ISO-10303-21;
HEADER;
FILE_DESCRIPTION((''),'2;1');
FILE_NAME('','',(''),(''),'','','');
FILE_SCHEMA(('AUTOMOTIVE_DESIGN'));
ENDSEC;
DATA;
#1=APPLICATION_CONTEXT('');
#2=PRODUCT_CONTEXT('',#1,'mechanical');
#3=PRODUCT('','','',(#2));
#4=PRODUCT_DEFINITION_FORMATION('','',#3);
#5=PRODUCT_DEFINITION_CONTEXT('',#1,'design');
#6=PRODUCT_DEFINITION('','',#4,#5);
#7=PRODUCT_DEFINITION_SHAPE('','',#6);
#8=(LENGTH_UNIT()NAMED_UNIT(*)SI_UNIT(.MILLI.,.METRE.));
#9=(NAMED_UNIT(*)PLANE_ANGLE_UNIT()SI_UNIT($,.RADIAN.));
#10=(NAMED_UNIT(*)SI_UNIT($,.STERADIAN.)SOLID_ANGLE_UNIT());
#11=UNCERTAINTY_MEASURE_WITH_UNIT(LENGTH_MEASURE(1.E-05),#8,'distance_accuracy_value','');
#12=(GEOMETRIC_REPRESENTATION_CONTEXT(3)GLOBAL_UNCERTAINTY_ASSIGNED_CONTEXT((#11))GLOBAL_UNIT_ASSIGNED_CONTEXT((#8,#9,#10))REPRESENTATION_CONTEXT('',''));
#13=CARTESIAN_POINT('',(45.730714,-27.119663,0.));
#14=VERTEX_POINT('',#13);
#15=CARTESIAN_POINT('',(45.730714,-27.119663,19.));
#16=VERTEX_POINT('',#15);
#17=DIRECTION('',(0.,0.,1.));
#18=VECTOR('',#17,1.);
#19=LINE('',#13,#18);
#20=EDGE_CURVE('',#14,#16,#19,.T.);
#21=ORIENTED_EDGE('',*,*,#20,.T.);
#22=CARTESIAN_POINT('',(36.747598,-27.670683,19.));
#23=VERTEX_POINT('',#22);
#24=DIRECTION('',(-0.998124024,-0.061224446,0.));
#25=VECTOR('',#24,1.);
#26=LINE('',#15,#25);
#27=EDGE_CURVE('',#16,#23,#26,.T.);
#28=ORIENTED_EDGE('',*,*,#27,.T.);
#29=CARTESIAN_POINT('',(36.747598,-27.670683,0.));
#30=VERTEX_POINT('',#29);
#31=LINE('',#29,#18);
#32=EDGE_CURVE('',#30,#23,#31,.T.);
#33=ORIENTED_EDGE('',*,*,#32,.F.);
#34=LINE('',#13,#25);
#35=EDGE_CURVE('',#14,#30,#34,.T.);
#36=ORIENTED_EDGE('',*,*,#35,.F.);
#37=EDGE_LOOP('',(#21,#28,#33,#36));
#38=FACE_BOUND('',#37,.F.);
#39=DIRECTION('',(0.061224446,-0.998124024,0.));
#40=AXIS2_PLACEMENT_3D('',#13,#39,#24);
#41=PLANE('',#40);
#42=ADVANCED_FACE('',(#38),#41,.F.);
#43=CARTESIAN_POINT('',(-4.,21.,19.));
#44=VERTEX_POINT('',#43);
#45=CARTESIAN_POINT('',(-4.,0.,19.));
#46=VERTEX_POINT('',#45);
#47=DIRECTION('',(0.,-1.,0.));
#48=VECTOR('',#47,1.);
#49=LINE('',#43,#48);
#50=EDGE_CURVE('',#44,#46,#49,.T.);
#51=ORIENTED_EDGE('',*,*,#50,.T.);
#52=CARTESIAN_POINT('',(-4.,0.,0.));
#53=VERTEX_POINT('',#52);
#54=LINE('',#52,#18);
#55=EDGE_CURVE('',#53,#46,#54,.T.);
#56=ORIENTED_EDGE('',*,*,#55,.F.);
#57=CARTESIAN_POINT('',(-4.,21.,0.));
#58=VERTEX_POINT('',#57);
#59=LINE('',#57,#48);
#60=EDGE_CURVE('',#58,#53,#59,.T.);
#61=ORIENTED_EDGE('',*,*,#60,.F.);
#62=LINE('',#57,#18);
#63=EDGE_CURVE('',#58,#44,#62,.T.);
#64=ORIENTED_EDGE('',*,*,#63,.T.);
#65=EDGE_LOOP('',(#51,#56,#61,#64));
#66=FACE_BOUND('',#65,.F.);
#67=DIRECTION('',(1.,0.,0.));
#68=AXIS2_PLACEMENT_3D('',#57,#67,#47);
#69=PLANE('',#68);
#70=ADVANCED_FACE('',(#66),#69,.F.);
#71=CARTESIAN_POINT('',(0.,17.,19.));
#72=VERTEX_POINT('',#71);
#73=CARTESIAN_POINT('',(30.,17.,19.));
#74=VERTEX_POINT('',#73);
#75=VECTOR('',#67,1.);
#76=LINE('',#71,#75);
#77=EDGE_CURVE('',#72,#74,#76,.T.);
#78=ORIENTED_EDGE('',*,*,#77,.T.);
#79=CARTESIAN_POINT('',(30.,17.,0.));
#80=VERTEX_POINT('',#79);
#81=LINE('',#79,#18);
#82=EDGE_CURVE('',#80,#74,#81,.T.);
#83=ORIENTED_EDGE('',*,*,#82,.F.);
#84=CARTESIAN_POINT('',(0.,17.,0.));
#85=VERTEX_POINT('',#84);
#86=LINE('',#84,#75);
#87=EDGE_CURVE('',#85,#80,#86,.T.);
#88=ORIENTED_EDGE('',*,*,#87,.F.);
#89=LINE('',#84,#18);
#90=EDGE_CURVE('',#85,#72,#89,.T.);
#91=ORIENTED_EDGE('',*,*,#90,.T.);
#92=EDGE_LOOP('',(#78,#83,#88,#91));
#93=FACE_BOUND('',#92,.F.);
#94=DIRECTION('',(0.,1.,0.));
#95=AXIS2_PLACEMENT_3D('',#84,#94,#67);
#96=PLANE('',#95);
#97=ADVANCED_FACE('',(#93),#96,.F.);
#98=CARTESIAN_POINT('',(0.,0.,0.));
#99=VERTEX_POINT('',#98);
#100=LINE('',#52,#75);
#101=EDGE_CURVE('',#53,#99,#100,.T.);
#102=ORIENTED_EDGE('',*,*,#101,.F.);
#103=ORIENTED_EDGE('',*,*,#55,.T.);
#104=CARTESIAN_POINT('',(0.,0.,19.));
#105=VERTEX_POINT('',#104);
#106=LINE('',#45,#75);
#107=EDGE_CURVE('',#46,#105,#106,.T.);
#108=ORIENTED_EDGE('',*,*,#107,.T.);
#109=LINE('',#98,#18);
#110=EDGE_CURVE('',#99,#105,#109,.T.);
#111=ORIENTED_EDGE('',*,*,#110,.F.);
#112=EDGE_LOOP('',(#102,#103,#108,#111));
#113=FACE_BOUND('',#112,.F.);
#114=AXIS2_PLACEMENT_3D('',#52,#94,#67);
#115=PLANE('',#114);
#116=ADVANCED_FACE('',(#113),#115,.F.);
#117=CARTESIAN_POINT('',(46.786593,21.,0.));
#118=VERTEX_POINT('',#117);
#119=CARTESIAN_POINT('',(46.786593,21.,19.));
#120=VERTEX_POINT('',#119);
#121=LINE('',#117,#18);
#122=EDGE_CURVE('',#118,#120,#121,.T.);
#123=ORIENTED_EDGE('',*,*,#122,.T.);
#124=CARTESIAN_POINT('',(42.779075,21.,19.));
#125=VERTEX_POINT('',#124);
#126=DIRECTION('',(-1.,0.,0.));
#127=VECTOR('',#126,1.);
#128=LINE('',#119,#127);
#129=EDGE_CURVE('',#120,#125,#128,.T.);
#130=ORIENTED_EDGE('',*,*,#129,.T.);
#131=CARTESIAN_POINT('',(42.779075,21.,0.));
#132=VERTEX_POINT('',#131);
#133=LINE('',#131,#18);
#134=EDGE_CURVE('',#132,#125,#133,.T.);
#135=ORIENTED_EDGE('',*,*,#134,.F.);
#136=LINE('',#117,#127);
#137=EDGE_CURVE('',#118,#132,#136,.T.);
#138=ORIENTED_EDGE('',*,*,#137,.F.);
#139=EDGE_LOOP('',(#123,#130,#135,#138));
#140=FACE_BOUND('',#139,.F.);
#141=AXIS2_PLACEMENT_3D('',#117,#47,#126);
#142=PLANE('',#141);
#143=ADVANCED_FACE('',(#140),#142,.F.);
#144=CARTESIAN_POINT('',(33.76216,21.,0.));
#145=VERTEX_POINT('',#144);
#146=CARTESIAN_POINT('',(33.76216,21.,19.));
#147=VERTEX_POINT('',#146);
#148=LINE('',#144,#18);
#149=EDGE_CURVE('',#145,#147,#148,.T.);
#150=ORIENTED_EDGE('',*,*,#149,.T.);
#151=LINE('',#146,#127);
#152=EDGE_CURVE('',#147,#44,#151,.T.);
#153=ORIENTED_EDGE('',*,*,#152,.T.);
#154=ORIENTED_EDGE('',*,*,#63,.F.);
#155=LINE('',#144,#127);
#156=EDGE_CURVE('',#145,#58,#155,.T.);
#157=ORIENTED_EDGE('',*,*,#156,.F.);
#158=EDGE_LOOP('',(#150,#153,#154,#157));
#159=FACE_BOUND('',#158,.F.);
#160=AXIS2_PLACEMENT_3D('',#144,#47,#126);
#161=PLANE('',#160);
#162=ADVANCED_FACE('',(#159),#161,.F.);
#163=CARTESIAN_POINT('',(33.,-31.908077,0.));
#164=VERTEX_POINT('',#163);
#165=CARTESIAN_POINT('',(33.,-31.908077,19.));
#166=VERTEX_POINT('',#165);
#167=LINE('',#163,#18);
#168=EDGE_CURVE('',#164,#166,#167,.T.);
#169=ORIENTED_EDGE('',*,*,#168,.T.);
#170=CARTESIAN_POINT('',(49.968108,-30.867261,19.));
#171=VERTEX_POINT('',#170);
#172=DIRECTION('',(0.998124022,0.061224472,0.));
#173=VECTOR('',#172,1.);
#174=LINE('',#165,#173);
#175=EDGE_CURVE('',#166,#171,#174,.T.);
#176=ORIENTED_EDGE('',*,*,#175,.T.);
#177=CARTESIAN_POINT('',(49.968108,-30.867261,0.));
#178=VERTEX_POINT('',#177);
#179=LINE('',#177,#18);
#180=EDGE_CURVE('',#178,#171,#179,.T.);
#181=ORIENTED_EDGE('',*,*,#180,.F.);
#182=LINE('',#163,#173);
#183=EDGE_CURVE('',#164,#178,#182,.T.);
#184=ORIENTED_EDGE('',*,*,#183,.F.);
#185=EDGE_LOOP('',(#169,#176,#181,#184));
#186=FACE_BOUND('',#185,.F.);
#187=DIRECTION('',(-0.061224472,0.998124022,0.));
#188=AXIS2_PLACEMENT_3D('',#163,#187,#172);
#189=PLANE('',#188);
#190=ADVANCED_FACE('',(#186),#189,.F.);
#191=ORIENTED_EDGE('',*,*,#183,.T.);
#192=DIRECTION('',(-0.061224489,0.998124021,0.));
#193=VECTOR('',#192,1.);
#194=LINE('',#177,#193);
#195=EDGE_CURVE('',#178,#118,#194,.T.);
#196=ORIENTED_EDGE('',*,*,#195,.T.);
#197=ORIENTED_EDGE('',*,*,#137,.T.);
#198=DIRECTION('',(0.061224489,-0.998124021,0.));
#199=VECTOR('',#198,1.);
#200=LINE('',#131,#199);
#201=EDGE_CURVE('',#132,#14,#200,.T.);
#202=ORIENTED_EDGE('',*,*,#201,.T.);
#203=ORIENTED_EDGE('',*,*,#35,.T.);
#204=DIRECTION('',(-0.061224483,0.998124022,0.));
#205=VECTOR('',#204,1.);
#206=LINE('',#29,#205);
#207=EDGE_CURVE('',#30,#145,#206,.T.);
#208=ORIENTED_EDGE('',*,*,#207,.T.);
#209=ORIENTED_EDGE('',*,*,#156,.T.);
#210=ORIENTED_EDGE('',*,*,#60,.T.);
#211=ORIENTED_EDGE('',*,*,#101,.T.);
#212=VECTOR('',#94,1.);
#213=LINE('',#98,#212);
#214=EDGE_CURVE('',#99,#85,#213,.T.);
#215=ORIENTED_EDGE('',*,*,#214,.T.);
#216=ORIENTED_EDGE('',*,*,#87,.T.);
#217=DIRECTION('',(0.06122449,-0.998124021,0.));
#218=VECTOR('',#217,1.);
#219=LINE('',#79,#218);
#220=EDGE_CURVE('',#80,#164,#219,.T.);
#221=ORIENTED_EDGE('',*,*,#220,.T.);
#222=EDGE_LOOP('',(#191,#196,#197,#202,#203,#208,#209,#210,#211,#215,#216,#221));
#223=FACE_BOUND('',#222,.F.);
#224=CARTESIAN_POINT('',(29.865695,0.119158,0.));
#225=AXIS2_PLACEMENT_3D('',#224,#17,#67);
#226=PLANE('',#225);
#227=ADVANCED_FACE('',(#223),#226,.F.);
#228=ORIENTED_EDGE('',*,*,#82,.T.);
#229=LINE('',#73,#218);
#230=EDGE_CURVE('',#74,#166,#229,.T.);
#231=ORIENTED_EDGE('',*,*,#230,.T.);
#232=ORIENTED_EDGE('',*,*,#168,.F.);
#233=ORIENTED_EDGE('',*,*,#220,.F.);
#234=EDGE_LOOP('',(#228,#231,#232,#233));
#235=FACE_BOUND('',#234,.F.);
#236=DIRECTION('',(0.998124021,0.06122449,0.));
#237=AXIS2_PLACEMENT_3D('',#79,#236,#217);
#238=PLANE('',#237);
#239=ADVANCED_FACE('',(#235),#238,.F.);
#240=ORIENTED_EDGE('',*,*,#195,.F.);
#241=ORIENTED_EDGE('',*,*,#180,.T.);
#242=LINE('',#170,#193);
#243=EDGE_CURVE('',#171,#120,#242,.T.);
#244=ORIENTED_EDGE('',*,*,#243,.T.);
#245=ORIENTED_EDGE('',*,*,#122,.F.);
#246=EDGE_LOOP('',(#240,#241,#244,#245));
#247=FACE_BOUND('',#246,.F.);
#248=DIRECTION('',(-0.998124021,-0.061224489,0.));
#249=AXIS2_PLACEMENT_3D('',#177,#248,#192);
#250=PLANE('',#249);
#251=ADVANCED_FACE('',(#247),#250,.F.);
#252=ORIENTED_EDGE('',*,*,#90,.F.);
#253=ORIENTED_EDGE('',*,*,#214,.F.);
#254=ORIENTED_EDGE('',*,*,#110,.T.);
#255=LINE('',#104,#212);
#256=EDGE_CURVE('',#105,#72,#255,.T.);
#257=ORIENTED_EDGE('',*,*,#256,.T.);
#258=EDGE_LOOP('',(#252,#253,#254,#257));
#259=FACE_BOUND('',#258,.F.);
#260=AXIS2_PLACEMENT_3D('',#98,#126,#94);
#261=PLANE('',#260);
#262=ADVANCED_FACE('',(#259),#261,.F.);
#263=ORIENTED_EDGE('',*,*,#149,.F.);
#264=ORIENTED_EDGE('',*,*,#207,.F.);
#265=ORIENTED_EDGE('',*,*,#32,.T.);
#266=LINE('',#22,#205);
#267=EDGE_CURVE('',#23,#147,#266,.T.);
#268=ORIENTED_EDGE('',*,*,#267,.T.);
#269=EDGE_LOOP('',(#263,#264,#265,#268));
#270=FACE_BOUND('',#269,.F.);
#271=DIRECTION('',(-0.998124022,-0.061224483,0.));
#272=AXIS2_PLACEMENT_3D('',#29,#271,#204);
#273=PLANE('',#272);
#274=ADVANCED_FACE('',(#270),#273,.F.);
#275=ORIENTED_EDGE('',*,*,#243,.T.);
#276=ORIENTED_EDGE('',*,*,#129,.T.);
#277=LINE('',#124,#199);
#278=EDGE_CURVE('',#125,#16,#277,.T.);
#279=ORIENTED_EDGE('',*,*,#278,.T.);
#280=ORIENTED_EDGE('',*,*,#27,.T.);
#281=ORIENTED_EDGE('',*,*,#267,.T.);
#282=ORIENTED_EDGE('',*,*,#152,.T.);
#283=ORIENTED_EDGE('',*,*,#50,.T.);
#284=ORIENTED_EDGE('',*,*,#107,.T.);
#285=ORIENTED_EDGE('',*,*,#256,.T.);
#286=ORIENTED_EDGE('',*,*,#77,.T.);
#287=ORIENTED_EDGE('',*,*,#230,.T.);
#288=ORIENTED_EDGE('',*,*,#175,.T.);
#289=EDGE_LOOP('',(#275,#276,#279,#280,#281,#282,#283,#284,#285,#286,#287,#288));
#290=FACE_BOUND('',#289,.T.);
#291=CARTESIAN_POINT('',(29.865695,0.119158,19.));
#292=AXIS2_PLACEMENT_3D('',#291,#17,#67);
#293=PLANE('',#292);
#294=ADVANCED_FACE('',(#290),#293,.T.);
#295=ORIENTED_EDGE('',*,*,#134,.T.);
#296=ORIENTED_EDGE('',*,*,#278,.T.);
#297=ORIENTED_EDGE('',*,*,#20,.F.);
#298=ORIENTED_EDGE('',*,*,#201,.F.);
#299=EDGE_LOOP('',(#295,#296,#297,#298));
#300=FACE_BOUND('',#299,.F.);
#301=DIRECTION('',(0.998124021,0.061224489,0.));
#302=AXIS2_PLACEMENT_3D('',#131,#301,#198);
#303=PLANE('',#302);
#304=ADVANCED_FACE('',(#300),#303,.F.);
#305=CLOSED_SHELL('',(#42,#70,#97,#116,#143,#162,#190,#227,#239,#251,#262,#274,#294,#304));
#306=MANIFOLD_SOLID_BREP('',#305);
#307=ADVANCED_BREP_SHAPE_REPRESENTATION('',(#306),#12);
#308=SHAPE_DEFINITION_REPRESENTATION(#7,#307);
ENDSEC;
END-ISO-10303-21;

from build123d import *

# Parameters (mm, degrees)
PAD_DEPTH = 19


with BuildPart() as part:
    # Sketch → Pad (new body)
    with BuildSketch(Plane.XY):
        Polygon((0, 0), (0, 17), (30, 17), (33, -31.908077), (49.968108, -30.867261), (46.786593, 21), (42.779075, 21), (45.730714, -27.119663), (36.747598, -27.670683), (33.76216, 21), (-4, 21), (-4, 0), align=None)
    extrude(amount=PAD_DEPTH)


solid = part.part
